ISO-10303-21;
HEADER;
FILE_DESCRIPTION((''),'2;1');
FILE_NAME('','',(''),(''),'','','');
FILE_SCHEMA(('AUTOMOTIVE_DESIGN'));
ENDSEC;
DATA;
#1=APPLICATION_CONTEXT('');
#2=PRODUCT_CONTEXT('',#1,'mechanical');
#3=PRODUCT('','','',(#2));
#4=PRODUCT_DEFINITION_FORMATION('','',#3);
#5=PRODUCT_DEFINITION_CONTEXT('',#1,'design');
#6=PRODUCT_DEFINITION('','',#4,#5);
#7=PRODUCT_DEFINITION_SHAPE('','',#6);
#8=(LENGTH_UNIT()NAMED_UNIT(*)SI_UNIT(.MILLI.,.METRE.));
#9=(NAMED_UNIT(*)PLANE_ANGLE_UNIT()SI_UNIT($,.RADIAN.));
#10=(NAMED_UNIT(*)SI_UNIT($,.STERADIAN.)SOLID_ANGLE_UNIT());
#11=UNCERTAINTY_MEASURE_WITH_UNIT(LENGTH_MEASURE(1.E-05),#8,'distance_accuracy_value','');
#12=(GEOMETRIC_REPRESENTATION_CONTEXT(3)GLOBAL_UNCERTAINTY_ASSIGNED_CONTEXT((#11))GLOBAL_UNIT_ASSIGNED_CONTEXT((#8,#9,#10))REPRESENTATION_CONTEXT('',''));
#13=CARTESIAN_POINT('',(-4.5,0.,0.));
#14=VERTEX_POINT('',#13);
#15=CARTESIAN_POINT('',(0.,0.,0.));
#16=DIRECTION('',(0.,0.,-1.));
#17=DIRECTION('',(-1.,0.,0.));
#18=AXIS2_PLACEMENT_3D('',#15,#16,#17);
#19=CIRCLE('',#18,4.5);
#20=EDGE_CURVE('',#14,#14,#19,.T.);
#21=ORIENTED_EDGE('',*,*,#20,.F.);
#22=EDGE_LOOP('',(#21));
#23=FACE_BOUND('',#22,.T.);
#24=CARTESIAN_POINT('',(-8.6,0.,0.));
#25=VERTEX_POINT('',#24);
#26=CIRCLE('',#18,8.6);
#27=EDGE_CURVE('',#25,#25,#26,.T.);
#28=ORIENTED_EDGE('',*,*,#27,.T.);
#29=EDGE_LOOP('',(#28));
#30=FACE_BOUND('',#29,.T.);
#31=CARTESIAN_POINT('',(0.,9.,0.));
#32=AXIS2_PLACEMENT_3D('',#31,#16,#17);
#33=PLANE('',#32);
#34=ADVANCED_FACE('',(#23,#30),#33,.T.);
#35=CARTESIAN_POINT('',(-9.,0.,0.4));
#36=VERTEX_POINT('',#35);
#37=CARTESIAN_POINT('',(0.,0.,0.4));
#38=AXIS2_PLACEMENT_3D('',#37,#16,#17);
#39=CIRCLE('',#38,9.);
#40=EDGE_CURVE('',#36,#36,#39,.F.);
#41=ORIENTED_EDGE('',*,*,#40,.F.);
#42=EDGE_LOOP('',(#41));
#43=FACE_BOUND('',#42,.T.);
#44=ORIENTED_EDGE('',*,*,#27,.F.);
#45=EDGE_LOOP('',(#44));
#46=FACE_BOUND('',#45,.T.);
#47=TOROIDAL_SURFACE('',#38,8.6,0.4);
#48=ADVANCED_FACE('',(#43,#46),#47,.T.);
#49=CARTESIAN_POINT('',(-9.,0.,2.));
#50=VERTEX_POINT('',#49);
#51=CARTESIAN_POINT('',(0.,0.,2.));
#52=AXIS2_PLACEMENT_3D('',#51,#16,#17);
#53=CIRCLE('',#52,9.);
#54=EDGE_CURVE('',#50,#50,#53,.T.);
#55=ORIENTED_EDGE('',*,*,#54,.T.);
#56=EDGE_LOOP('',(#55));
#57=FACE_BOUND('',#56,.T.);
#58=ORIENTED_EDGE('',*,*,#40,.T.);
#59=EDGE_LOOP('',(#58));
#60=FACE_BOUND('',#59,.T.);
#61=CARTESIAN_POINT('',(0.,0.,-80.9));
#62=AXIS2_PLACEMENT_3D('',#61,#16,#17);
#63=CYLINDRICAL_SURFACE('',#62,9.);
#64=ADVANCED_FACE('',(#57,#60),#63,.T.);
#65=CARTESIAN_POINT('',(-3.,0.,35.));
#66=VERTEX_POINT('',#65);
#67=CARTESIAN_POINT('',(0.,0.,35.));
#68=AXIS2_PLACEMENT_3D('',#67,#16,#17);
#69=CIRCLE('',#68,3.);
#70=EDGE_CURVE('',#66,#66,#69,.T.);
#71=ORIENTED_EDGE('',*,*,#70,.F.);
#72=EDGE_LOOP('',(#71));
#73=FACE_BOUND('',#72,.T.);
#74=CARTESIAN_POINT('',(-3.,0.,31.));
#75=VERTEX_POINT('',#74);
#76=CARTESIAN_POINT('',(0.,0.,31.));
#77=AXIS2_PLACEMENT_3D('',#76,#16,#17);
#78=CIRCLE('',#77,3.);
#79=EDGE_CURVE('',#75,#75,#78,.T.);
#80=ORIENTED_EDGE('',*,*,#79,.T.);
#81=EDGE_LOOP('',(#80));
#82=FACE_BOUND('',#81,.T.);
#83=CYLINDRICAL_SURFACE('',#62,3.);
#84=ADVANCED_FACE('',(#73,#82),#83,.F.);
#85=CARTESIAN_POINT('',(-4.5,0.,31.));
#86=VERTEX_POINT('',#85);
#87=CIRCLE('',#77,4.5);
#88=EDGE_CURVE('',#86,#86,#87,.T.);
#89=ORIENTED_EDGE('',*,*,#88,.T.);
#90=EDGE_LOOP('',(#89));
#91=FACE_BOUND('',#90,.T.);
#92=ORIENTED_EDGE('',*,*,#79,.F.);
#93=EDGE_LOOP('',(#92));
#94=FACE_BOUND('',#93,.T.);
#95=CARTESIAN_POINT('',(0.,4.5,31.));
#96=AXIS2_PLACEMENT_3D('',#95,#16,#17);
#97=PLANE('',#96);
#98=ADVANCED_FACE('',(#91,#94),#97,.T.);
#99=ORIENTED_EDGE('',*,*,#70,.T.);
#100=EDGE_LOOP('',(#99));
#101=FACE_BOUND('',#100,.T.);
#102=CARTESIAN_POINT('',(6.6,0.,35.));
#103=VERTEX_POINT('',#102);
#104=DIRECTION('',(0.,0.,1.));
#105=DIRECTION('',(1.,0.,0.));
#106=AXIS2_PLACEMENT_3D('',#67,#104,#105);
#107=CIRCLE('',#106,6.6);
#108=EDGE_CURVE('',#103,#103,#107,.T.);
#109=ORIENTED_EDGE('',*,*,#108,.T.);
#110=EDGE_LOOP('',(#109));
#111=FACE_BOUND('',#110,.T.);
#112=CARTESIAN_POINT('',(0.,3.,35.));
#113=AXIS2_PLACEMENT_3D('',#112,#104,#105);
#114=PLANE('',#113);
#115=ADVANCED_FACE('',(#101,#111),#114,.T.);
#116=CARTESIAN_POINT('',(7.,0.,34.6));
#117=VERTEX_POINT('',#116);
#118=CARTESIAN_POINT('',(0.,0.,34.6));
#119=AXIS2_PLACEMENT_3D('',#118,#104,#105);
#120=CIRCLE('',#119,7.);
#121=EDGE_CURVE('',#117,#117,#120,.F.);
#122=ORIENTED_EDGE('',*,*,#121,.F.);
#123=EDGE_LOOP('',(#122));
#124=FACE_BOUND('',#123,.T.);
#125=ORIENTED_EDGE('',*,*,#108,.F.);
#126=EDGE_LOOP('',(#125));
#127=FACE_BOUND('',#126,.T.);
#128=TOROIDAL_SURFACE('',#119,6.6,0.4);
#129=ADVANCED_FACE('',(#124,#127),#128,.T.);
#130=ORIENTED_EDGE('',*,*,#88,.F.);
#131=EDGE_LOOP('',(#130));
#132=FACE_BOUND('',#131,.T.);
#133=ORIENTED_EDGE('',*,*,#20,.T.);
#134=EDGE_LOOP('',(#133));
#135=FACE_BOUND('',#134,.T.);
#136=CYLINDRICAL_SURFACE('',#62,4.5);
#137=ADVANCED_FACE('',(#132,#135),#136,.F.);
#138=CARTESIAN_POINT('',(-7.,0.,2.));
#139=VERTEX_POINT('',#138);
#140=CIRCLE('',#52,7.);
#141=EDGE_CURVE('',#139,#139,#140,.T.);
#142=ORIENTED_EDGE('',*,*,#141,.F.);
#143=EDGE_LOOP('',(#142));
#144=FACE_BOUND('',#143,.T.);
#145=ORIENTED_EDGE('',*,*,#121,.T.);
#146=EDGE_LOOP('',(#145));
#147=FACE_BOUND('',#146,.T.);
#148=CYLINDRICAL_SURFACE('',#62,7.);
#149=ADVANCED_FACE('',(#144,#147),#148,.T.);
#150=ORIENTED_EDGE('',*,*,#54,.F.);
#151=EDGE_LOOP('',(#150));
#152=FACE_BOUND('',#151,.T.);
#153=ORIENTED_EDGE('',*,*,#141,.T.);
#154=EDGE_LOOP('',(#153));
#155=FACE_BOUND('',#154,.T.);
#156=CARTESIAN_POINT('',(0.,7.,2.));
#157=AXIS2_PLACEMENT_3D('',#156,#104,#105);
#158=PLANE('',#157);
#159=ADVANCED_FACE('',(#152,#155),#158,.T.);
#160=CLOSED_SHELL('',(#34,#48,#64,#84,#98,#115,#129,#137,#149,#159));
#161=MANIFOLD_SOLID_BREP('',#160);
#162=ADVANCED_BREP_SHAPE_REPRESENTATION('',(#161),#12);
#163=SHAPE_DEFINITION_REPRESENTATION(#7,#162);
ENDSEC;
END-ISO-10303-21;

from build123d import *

# Parameters (mm, degrees)
FILLET_1_R = 0.4


with BuildPart() as part:
    # Эскиз1 → Повернуть1 (revolve)
    with BuildSketch(Plane(origin=(0, 0, 0), x_dir=(0, 0, -1), z_dir=(1, 0, 0))):
        Polygon((-2, 7), (-2, 9), (0, 9), (0, 4.5), (-31, 4.5), (-31, 3), (-35, 3), (-35, 7), align=None)
    revolve(axis=Axis((0, 0, -80.9), (0, 0, 1)))

    # Скругление1
    fillet_1_edges = [part.edges().sort_by_distance(p)[0] for p in [
        (0, -7, 35),
        (0, -9, 0),
    ]]
    fillet(fillet_1_edges, radius=FILLET_1_R)


solid = part.part
